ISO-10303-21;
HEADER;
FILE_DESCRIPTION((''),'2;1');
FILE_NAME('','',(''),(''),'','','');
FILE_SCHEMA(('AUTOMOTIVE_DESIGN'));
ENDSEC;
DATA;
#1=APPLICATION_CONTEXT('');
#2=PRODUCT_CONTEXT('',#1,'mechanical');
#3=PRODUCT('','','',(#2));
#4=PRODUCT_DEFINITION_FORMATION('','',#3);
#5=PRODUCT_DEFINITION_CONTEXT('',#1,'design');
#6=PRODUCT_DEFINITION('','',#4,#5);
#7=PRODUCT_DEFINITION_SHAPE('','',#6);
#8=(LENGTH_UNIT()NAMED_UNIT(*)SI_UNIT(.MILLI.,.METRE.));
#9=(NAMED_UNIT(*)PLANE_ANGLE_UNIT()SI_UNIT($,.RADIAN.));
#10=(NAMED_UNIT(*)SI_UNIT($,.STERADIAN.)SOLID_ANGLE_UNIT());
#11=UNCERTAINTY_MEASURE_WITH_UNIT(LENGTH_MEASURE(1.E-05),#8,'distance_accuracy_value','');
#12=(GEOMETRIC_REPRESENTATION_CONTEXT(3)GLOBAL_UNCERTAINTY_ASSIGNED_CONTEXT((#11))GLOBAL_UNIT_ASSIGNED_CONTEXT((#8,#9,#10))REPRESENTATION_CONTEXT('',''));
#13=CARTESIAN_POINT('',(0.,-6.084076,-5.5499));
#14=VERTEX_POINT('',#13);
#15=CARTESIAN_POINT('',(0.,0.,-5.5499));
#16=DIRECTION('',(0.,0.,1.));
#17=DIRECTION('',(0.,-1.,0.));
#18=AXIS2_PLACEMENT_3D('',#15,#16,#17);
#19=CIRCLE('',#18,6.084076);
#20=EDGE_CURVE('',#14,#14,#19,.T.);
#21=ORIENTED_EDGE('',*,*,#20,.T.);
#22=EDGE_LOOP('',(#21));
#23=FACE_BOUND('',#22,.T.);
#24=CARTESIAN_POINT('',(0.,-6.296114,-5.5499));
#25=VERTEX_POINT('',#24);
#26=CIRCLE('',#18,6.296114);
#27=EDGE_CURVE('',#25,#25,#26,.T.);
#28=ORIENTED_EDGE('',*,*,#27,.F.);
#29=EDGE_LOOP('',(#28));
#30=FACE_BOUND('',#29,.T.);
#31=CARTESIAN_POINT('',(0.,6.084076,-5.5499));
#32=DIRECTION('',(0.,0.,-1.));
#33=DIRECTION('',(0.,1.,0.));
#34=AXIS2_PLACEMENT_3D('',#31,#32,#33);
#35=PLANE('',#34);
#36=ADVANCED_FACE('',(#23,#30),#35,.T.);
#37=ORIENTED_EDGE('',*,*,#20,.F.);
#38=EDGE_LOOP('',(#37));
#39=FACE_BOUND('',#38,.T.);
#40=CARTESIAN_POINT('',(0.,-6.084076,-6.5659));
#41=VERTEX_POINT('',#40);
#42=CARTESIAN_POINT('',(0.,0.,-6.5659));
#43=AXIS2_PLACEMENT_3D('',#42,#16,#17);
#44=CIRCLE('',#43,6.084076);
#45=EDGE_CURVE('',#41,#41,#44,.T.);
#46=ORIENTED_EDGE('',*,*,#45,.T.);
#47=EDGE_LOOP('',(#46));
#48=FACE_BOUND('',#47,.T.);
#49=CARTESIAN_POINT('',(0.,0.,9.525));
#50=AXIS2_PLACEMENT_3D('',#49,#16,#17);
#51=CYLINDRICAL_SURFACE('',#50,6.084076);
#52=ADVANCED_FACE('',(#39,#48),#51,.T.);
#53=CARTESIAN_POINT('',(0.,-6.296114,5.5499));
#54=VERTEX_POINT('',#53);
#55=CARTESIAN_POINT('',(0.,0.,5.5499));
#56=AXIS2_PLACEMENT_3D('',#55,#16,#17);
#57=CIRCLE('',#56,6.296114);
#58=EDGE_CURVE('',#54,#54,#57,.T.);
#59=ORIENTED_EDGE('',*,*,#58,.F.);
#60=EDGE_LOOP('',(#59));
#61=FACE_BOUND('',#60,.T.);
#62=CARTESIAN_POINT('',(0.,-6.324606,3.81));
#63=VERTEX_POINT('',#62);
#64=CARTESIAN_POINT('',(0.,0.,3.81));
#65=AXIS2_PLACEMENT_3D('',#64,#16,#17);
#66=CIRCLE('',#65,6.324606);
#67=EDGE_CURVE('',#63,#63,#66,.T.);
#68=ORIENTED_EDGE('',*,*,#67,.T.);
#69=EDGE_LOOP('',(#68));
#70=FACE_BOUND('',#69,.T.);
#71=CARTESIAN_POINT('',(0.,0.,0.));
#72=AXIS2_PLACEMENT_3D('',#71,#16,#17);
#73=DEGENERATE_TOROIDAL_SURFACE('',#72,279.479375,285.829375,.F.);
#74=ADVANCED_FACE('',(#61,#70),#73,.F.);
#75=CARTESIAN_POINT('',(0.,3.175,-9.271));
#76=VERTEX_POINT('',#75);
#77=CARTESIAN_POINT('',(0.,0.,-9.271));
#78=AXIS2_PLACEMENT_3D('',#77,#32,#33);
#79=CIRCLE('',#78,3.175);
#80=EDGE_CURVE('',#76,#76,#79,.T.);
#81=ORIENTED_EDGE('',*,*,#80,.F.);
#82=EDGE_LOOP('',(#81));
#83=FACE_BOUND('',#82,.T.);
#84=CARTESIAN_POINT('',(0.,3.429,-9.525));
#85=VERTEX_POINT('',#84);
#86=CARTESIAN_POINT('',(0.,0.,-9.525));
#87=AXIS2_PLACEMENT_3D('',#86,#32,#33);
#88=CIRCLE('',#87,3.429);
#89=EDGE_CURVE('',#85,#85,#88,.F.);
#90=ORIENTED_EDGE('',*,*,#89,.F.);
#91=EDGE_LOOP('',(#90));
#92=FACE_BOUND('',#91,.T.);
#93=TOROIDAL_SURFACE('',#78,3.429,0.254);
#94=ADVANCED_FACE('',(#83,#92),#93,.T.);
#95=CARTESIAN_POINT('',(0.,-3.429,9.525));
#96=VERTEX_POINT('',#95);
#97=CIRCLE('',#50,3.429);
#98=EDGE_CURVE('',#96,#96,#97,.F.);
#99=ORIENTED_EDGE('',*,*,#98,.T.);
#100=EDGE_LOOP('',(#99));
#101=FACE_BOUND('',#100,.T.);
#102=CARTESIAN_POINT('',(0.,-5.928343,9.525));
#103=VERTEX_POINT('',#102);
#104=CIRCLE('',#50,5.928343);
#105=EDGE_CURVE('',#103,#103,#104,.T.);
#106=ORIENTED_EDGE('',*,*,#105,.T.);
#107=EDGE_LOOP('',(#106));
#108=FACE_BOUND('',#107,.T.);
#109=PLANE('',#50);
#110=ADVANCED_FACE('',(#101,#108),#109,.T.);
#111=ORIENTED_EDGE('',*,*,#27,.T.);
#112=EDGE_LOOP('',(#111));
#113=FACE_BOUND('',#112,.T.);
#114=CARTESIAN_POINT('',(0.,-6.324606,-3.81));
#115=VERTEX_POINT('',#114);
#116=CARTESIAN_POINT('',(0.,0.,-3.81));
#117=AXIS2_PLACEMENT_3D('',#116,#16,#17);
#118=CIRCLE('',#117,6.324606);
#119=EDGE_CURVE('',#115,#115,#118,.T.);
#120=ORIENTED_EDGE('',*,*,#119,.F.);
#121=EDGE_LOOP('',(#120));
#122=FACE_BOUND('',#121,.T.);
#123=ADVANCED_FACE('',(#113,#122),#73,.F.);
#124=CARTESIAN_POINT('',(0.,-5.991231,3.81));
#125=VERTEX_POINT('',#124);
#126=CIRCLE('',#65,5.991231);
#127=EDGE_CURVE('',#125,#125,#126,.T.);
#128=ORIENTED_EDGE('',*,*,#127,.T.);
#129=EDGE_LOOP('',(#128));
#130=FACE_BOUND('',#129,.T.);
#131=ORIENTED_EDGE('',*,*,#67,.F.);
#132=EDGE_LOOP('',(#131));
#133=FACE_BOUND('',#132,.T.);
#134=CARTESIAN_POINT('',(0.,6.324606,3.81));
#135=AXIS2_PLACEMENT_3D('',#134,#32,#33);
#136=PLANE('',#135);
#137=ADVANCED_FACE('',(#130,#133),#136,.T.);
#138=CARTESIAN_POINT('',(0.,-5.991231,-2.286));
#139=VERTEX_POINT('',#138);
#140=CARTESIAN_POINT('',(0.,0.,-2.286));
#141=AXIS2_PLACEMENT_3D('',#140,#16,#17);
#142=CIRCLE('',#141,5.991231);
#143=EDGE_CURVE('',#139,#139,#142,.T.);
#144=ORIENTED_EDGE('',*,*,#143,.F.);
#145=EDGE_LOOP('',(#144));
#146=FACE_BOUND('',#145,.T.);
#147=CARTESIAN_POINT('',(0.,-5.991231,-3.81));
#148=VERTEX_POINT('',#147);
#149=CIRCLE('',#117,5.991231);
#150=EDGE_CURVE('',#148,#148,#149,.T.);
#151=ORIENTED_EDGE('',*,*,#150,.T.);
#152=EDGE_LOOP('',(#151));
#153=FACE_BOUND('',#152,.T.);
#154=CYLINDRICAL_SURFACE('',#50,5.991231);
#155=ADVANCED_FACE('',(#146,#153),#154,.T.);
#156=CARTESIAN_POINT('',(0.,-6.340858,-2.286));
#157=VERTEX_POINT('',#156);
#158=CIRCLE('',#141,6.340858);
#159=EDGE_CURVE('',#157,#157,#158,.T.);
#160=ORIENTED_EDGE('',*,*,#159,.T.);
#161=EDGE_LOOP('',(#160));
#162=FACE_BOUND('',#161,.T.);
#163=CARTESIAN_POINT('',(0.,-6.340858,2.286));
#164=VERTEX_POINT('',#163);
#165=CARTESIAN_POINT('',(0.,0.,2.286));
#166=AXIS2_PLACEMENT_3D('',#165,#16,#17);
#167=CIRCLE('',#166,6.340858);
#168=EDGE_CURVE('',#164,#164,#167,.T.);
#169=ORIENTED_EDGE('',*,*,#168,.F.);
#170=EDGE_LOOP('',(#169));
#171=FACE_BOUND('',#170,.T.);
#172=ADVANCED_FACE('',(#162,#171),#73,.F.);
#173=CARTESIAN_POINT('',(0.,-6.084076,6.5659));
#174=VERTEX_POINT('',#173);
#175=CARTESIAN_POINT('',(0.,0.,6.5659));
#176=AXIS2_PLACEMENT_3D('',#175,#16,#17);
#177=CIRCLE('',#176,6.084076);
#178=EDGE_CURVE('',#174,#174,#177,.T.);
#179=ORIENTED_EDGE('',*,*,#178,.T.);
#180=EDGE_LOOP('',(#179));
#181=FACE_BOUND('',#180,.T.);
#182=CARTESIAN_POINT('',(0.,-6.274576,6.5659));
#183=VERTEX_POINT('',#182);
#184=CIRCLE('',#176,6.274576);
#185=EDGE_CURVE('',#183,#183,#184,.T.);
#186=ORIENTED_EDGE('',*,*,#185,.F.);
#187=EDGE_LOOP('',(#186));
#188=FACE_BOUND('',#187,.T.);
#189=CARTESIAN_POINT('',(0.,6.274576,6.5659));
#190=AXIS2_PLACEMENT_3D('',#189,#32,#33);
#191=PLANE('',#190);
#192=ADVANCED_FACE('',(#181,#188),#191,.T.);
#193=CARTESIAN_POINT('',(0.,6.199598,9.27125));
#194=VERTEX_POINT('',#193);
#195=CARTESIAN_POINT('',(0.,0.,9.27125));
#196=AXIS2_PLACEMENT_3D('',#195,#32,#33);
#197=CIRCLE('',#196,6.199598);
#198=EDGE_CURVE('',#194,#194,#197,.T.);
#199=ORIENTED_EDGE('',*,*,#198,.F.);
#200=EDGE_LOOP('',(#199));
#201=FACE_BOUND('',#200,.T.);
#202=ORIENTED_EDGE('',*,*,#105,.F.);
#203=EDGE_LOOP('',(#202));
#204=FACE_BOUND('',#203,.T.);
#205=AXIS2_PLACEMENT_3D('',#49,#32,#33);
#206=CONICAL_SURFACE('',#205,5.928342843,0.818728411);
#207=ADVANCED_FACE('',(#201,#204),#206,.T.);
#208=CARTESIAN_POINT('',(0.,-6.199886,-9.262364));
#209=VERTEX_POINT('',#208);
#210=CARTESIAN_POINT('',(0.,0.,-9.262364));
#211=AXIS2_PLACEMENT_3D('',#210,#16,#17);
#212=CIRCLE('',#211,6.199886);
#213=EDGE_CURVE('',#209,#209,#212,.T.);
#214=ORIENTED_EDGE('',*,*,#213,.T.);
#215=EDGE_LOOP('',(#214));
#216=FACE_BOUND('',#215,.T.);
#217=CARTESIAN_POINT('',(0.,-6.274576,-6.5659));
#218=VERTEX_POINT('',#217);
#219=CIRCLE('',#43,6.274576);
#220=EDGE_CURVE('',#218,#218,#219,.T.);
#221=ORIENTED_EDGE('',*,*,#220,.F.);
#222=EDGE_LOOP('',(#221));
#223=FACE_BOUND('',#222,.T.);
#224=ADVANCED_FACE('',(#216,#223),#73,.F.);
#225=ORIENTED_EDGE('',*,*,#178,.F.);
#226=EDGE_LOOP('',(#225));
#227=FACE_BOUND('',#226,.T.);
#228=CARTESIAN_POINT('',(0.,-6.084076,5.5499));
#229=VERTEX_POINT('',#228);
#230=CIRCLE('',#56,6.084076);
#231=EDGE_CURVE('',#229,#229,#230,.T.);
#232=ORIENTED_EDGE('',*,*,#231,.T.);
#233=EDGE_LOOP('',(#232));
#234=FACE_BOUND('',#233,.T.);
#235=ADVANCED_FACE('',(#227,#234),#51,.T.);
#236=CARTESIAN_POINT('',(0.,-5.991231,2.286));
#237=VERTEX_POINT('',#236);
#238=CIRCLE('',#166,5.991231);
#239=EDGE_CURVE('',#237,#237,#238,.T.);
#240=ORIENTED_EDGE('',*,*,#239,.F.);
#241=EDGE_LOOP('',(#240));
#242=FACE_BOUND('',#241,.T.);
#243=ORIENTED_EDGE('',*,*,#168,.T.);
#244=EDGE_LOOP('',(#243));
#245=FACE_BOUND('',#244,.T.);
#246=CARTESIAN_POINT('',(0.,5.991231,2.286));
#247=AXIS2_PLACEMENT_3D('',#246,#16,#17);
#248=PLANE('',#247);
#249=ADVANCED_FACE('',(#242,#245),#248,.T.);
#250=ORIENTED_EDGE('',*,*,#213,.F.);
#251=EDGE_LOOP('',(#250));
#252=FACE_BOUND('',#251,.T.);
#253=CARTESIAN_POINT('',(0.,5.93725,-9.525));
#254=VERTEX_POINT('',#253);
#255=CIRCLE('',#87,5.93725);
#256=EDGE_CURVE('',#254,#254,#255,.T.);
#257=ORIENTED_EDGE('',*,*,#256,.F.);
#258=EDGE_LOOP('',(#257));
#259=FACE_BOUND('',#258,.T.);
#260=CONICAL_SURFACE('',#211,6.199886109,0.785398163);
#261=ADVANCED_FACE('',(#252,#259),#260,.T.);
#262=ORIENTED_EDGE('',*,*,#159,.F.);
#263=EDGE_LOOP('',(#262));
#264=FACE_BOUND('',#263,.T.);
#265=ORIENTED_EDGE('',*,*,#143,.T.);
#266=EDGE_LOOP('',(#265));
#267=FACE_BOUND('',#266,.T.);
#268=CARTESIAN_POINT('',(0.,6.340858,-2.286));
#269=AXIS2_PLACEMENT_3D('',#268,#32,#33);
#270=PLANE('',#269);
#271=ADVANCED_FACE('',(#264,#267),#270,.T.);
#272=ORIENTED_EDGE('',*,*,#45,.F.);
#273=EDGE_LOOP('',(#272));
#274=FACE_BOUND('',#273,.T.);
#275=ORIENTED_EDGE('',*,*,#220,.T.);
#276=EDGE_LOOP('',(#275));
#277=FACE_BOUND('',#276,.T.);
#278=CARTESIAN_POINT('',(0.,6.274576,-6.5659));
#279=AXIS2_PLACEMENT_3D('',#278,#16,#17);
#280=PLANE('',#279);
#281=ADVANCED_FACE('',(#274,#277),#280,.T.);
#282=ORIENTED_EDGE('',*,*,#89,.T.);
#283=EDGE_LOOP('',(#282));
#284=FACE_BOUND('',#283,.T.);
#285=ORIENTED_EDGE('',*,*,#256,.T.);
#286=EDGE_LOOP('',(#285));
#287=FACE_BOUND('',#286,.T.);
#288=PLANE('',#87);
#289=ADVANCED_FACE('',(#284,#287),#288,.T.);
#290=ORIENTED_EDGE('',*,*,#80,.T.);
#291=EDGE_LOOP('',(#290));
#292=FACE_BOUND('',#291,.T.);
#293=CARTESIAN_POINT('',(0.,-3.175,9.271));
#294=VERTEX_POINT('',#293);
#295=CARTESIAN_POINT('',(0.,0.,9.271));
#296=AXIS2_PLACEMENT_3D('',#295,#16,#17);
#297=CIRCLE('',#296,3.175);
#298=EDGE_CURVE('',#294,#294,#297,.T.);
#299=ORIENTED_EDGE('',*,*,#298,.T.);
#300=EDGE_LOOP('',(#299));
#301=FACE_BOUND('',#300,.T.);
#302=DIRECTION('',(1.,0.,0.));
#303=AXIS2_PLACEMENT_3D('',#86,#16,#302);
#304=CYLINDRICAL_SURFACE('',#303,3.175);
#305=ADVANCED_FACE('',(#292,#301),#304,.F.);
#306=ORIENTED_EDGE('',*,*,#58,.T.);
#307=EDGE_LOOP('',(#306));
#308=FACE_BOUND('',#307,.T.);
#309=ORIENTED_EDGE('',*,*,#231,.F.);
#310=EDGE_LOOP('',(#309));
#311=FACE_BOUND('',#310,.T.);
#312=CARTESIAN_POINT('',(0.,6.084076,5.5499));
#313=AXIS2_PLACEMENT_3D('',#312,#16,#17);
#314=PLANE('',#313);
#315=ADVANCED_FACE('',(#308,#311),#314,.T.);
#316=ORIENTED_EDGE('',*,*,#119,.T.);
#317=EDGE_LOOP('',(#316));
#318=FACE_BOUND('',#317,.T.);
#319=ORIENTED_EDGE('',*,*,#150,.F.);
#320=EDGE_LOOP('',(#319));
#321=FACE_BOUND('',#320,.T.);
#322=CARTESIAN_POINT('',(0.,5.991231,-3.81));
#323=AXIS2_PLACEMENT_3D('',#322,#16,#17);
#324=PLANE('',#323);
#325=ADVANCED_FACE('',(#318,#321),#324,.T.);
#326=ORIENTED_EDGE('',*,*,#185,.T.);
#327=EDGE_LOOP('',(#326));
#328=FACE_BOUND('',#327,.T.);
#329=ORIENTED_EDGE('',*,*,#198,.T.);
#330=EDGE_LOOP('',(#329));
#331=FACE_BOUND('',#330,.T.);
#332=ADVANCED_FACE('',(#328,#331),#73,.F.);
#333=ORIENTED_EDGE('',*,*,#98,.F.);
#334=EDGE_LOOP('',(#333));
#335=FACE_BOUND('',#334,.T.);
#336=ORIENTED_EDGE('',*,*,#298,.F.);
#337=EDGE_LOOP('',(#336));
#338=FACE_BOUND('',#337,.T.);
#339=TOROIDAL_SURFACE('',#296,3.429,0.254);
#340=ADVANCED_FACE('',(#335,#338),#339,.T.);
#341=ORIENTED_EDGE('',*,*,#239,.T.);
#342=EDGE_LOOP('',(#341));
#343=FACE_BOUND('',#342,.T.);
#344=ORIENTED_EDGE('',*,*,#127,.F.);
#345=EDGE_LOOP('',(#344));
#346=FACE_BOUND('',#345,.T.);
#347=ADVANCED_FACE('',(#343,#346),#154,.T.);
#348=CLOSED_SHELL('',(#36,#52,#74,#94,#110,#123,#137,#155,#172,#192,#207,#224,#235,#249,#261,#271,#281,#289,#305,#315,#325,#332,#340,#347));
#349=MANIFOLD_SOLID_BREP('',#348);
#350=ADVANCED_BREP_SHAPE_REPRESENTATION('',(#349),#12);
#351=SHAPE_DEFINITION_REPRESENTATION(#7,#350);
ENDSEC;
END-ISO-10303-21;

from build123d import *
from OCP.BRepFilletAPI import BRepFilletAPI_MakeChamfer

# Parameters (mm, degrees)
BORE_DEPTH       = 14.090860531
BORE_DEPTH_BACK  = 14.090860531
SKETCH2_R        = 3.175
OD_CHAMFER_SIZE  = 0.254
OD_CHAMFER_SIZE2 = 0.262907157
ID_FILLET_R      = 0.254


with BuildPart() as part:
    # Sketch1 → Bearing (revolve)
    with BuildSketch(Plane(origin=(0, 0, 0), x_dir=(0, 0, -1), z_dir=(1, 0, 0))):
        with BuildLine():
            Line((-9.525, 0), (9.525, 0))
            Line((9.525, 0), (9.525, -6.19125))
            ThreePointArc((9.525, -6.19125), (8.045557875, -6.236743921), (6.5659, -6.274576101))
            Line((6.5659, -6.274576101), (6.5659, -6.084076101))
            Line((6.5659, -6.084076101), (5.5499, -6.084076101))
            Line((5.5499, -6.084076101), (5.5499, -6.296114192))
            ThreePointArc((5.5499, -6.296114192), (4.679971682, -6.311684129), (3.81, -6.324605926))
            Line((3.81, -6.324605926), (3.81, -5.991230926))
            Line((3.81, -5.991230926), (2.286, -5.991230926))
            Line((2.286, -5.991230926), (2.286, -6.340858393))
            ThreePointArc((2.286, -6.340858393), (1.143009139, -6.347714589), (0, -6.35))
            ThreePointArc((0, -6.35), (-1.143009139, -6.347714589), (-2.286, -6.340858393))
            Line((-2.286, -6.340858393), (-2.286, -5.991230926))
            Line((-2.286, -5.991230926), (-3.81, -5.991230926))
            Line((-3.81, -5.991230926), (-3.81, -6.324605926))
            ThreePointArc((-3.81, -6.324605926), (-4.679971682, -6.311684129), (-5.5499, -6.296114192))
            Line((-5.5499, -6.296114192), (-5.5499, -6.084076101))
            Line((-5.5499, -6.084076101), (-6.5659, -6.084076101))
            Line((-6.5659, -6.084076101), (-6.5659, -6.274576101))
            ThreePointArc((-6.5659, -6.274576101), (-8.045557875, -6.236743921), (-9.525, -6.19125))
            Line((-9.525, -6.19125), (-9.525, 0))
        make_face()
    revolve(axis=Axis((0, 0, 9.525), (0, 0, -1)))

    # Sketch2 → Bore (cut, two sides: drawn at the far end of the back side and taken through both)
    with BuildSketch(Plane.XY.offset(-BORE_DEPTH_BACK)):
        Circle(SKETCH2_R)
    extrude(amount=BORE_DEPTH + BORE_DEPTH_BACK, mode=Mode.SUBTRACT)

    # OD Chamfer: one chamfer whose edges measure the first distance from different faces: ONE call of the kernel's chamfer builder (chamfer() names one face for all edges)
    od_chamfer_edges_1 = [part.edges().sort_by_distance(p)[0] for p in [
        (0, 6.19125, 9.525),
    ]]
    od_chamfer_side_1 = [part.faces().sort_by_distance(p)[0] for p in [
        (0, 6.236743921, 8.045557875),
    ]]
    od_chamfer_edges_2 = [part.edges().sort_by_distance(p)[0] for p in [
        (0, 6.19125, -9.525),
    ]]
    od_chamfer_side_2 = [part.faces().sort_by_distance(p)[0] for p in [
        (0, 6.016135006, -9.525),
    ]]
    od_chamfer = BRepFilletAPI_MakeChamfer(part.part.solid().wrapped)
    for e in od_chamfer_edges_1:
        od_chamfer.Add(OD_CHAMFER_SIZE, OD_CHAMFER_SIZE2, e.wrapped, od_chamfer_side_1[0].wrapped)  # the first distance lies on this face
    for e in od_chamfer_edges_2:
        od_chamfer.Add(OD_CHAMFER_SIZE, OD_CHAMFER_SIZE2, e.wrapped, od_chamfer_side_2[0].wrapped)  # the first distance lies on this face
    add(Compound.cast(od_chamfer.Shape()), mode=Mode.REPLACE)

    # ID Fillet
    id_fillet_edges = [part.edges().sort_by_distance(p)[0] for p in [
        (-3.175, 0, -9.525),
        (-3.175, 0, 9.525),
    ]]
    fillet(id_fillet_edges, radius=ID_FILLET_R)


solid = part.part
